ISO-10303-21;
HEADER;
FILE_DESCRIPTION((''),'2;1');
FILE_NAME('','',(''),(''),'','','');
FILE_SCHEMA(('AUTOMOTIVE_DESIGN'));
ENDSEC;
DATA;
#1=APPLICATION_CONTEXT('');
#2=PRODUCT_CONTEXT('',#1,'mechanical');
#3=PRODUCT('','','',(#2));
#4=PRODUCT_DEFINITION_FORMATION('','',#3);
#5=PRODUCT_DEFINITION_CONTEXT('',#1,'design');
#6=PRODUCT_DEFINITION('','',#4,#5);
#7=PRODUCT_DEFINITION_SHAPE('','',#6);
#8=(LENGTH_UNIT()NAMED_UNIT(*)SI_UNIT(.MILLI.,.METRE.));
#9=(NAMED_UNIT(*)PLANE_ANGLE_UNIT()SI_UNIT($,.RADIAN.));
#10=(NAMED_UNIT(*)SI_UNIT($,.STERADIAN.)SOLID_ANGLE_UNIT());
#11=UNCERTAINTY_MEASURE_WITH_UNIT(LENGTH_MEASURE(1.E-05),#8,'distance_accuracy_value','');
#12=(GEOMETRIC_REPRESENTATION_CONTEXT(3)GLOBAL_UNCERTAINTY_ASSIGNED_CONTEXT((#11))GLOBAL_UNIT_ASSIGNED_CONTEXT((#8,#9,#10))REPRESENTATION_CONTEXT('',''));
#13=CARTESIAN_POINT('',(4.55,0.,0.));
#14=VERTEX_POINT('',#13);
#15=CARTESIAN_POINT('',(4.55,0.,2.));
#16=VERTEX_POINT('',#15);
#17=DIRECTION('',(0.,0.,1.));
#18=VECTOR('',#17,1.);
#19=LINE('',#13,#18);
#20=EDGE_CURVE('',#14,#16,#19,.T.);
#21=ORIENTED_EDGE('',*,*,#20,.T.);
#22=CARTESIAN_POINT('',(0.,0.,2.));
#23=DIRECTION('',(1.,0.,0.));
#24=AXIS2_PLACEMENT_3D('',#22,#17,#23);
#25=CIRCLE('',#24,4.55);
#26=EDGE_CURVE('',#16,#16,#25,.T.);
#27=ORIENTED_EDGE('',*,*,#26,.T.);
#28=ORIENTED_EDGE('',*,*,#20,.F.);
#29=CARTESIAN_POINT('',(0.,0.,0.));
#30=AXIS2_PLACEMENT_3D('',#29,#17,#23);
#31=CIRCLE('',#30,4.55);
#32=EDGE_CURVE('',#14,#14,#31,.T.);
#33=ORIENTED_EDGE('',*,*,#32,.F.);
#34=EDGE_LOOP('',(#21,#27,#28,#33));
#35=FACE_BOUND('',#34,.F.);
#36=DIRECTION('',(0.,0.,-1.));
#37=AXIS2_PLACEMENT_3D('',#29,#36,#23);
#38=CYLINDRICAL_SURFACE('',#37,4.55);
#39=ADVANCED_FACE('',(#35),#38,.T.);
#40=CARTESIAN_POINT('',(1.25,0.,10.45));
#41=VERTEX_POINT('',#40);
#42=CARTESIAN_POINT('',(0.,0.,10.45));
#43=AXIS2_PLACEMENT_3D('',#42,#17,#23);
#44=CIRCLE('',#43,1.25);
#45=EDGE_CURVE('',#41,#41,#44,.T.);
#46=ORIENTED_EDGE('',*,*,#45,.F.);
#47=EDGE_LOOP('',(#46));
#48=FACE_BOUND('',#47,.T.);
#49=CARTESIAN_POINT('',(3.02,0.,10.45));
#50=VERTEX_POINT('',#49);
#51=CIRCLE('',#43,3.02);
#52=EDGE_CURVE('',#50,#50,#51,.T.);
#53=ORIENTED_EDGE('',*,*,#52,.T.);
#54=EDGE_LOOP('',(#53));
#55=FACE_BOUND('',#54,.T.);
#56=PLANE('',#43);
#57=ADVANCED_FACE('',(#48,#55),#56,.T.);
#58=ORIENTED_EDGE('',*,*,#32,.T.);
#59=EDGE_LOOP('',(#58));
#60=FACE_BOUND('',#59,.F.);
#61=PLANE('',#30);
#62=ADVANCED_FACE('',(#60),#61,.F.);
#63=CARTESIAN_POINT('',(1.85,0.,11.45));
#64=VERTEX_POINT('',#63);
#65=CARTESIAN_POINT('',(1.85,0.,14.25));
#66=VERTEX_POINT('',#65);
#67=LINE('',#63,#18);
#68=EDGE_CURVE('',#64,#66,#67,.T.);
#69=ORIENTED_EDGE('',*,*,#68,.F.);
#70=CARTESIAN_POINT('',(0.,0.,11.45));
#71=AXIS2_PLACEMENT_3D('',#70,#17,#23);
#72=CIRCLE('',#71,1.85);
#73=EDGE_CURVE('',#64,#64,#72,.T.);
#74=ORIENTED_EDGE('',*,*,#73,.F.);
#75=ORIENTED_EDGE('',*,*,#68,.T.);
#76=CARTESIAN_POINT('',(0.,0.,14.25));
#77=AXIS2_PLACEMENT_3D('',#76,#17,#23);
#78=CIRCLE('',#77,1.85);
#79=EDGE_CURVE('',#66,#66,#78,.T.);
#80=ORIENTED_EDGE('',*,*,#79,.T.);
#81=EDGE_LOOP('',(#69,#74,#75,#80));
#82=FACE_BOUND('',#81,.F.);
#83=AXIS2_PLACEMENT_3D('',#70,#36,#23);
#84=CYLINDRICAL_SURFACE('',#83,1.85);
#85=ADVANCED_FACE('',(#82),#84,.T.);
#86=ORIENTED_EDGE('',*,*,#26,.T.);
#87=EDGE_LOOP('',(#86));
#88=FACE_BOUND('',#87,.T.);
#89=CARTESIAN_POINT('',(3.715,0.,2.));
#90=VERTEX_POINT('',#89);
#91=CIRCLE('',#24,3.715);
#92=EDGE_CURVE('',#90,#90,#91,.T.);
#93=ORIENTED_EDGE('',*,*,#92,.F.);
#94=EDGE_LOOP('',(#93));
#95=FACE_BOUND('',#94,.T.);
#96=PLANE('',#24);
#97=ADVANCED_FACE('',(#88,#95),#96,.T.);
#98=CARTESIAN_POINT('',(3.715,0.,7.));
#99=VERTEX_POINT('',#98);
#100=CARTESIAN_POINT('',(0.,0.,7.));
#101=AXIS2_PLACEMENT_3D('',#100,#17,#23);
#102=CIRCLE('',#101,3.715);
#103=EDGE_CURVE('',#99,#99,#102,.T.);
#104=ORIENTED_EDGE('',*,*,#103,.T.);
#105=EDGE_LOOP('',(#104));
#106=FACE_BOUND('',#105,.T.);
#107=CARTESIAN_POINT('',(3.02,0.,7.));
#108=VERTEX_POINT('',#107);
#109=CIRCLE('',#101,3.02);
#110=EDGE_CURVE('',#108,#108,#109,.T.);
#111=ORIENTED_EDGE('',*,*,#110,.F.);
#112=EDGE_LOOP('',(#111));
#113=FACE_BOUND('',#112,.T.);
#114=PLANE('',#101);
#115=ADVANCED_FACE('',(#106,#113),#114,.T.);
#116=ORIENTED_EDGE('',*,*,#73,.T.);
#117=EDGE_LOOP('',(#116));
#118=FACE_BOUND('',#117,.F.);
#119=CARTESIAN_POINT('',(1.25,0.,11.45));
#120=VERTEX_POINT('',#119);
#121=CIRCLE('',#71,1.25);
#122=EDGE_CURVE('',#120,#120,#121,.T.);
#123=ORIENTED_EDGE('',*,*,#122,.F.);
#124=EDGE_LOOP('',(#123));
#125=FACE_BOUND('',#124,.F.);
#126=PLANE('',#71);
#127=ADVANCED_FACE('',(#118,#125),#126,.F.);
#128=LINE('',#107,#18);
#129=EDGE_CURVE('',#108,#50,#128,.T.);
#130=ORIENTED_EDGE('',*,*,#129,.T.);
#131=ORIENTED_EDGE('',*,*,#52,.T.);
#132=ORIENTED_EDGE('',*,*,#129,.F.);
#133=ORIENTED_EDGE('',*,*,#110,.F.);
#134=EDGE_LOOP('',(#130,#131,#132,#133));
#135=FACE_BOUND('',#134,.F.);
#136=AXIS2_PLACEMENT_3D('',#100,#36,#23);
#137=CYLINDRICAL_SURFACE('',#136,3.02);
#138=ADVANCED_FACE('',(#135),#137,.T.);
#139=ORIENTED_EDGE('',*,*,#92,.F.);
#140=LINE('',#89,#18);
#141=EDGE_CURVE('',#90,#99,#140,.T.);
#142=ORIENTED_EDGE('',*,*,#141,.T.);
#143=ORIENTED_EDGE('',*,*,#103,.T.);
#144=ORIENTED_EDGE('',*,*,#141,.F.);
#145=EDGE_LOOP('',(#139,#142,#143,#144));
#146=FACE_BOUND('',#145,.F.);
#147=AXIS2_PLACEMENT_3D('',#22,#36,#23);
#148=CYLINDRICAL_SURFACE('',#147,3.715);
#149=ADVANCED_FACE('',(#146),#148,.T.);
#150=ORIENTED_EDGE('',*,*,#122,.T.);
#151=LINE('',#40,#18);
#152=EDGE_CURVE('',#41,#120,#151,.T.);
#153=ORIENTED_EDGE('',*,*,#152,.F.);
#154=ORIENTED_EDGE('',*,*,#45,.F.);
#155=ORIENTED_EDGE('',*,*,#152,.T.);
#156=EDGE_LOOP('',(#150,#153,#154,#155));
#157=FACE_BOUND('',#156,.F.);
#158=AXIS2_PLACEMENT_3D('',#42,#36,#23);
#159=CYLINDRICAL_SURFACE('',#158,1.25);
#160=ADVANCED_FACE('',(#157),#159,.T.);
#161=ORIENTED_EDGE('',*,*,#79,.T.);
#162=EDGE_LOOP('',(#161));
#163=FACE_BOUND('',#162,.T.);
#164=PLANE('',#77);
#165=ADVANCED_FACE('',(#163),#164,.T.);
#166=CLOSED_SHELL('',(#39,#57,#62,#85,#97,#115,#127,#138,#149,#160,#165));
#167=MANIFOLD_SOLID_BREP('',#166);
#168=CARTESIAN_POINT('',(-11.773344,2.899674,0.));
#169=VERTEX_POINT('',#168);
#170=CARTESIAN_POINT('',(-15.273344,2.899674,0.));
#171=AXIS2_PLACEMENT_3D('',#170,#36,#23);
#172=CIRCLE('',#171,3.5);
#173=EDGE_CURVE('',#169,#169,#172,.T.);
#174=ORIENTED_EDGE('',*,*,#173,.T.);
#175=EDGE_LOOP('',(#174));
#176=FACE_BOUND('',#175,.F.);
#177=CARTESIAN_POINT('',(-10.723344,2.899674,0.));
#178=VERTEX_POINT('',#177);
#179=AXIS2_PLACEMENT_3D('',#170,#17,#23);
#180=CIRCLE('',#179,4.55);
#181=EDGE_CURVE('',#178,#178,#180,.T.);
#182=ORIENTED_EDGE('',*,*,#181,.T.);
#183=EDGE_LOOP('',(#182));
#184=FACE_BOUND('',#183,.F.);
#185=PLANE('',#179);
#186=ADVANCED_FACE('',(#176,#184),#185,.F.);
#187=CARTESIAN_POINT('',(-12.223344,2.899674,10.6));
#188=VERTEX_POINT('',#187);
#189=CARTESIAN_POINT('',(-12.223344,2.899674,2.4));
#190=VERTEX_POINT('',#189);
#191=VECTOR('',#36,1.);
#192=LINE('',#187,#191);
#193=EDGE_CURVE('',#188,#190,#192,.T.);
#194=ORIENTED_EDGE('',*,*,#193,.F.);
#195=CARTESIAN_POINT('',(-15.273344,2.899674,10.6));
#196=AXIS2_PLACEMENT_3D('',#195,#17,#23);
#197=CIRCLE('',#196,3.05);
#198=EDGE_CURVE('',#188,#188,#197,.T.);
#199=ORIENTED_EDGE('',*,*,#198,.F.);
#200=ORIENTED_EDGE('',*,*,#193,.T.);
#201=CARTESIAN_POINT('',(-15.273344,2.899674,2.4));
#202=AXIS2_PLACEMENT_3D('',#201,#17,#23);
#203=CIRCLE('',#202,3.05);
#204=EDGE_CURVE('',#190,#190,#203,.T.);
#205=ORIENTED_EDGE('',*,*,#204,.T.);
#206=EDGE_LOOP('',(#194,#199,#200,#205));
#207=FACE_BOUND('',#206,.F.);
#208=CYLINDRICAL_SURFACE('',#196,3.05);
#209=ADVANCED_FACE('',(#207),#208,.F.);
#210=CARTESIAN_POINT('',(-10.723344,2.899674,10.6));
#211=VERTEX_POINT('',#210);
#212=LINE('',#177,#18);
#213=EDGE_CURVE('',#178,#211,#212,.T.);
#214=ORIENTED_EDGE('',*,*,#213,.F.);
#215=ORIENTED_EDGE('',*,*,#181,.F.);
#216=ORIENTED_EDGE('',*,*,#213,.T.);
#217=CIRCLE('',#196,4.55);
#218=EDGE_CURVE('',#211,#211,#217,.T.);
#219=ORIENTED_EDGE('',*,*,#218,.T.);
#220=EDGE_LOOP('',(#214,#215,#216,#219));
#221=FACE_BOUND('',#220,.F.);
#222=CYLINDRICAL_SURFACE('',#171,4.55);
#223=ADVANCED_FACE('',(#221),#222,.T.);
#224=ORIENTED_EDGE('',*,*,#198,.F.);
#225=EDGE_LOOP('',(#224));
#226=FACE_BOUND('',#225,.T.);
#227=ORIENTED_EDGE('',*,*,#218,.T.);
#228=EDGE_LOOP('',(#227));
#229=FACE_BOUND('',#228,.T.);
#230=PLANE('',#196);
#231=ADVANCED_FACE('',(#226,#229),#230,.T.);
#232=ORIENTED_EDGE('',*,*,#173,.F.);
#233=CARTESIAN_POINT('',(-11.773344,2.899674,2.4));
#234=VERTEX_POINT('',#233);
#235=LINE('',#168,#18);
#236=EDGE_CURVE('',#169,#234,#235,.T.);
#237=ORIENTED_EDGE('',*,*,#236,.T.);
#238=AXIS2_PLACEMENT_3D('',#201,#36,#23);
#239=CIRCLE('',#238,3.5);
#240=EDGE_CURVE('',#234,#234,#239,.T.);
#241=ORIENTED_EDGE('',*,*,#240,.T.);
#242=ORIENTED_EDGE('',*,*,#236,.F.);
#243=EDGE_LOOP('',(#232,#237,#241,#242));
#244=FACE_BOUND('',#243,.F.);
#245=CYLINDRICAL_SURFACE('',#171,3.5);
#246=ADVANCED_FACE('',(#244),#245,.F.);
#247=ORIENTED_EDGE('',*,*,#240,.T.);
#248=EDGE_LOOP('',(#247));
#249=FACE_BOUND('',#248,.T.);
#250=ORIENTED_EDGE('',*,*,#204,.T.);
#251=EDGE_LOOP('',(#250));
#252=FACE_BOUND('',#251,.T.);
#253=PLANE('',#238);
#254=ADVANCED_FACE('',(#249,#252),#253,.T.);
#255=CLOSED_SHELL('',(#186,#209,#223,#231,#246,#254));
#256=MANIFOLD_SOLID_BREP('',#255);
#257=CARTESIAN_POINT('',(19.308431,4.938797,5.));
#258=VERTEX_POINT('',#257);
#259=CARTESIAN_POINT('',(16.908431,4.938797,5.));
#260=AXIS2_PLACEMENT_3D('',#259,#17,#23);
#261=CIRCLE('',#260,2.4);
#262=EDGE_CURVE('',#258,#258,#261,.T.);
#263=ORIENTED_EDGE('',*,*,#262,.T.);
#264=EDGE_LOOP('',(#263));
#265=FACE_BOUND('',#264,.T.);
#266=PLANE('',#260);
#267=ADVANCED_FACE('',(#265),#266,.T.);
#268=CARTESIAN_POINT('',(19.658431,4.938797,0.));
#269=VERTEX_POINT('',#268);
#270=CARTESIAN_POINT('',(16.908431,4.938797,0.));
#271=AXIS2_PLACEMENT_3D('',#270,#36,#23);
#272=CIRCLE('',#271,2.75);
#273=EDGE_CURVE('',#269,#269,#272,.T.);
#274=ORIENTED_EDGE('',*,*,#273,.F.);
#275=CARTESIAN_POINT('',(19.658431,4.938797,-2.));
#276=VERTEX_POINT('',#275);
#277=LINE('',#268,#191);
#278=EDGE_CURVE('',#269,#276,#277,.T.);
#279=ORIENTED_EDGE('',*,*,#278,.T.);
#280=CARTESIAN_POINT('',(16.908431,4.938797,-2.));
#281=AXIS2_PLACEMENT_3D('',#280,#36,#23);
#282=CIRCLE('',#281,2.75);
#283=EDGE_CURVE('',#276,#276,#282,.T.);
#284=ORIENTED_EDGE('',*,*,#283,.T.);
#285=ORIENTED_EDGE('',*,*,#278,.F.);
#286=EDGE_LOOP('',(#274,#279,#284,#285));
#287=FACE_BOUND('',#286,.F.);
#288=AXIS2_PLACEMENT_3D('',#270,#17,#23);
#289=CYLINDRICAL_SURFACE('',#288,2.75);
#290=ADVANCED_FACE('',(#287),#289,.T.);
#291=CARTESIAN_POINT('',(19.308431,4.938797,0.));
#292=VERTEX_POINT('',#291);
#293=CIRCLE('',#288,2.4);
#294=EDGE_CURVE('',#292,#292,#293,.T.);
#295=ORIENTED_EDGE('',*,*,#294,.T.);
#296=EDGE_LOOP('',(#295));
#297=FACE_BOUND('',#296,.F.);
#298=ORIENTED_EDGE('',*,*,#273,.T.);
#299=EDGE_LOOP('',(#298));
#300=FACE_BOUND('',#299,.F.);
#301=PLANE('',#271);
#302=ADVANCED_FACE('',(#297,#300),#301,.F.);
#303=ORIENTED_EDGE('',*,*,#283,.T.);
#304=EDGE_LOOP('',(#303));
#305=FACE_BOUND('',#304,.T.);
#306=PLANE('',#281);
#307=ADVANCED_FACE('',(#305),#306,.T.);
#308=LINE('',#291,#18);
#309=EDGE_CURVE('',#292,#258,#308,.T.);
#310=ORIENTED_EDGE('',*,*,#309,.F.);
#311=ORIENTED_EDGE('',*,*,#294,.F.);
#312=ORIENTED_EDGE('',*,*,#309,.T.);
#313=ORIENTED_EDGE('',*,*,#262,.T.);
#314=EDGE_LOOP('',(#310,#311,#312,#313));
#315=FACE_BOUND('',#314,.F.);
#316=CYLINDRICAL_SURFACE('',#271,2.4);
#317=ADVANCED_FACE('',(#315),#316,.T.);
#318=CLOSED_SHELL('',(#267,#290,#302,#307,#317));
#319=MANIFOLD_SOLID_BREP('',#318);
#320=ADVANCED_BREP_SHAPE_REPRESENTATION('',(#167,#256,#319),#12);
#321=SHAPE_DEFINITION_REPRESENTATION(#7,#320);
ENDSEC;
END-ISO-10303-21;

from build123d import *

# Parameters (mm, degrees)
F0_R      = 4.55
F2_DEPTH  = 2
F3_R      = 3.715
F4_DEPTH  = 5
F5_R      = 3.02
F6_DEPTH  = 3.45
F7_R      = 1.25
F8_DEPTH  = 1
F9_R      = 1.85
F9_R_2    = 1.25
F10_DEPTH = 2.8
F1_R      = 4.55
F11_DEPTH = 10.6
F12_R     = 3.05
F13_DEPTH = 8.2
F14_R     = 3.5
F15_DEPTH = 2.4
F16_R     = 2.4
F17_DEPTH = 5
F18_R     = 2.75
F18_R_2   = 2.4
F19_DEPTH = 2


with BuildPart() as f2:
    # F0 (on Top) → F2 (new body)
    with BuildSketch(Plane.XY):
        Circle(F0_R)
    extrude(amount=F2_DEPTH)

    # F3 (on face) → F4 (join)
    with BuildSketch(Plane.XY.offset(2)):
        Circle(F3_R)
    extrude(amount=F4_DEPTH)

    # F5 (on face) → F6 (join)
    with BuildSketch(Plane.XY.offset(7)):
        Circle(F5_R)
    extrude(amount=F6_DEPTH)

    # F7 (on face) → F8 (join)
    with BuildSketch(Plane.XY.offset(10.45)):
        Circle(F7_R)
    extrude(amount=F8_DEPTH)

    # F9 (on face) → F10 (join)
    with BuildSketch(Plane.XY.offset(11.45)):
        Circle(F9_R)
        Circle(F9_R_2, mode=Mode.SUBTRACT)
        Circle(F9_R_2)
    extrude(amount=F10_DEPTH)


with BuildPart() as f11:
    # F1 (on Top) → F11 (new body)
    with BuildSketch(Plane.XY):
        with Locations((-15.2733437717, 2.8996735346)):
            Circle(F1_R)
    extrude(amount=F11_DEPTH)

    # F12 (on face) → F13 (cut)
    with BuildSketch(Plane.XY.offset(10.6)):
        with Locations((-15.2733437717, 2.8996735346)):
            Circle(F12_R)
    extrude(amount=-F13_DEPTH, mode=Mode.SUBTRACT)

    # F14 (on face) → F15 (cut)
    with BuildSketch(Plane(origin=(0, 0, 0), x_dir=(1, 0, 0), z_dir=(0, 0, -1))):
        with Locations((-15.2733437717, -2.8996735346)):
            Circle(F14_R)
    extrude(amount=-F15_DEPTH, mode=Mode.SUBTRACT)


with BuildPart() as f17:
    # F16 (on Top) → F17 (new body)
    with BuildSketch(Plane.XY):
        with Locations((16.9084314257, 4.9387966283)):
            Circle(F16_R)
    extrude(amount=F17_DEPTH)

    # F18 (on face) → F19 (join)
    with BuildSketch(Plane(origin=(0, 0, 0), x_dir=(1, 0, 0), z_dir=(0, 0, -1))):
        with Locations((16.9084314257, -4.9387966283)):
            Circle(F18_R)
        with Locations((16.9084314257, -4.9387966283)):
            Circle(F18_R_2, mode=Mode.SUBTRACT)
        with Locations((16.9084314257, -4.9387966283)):
            Circle(F18_R_2)
    extrude(amount=F19_DEPTH)


solid = Compound([f2.part, f11.part, f17.part])
